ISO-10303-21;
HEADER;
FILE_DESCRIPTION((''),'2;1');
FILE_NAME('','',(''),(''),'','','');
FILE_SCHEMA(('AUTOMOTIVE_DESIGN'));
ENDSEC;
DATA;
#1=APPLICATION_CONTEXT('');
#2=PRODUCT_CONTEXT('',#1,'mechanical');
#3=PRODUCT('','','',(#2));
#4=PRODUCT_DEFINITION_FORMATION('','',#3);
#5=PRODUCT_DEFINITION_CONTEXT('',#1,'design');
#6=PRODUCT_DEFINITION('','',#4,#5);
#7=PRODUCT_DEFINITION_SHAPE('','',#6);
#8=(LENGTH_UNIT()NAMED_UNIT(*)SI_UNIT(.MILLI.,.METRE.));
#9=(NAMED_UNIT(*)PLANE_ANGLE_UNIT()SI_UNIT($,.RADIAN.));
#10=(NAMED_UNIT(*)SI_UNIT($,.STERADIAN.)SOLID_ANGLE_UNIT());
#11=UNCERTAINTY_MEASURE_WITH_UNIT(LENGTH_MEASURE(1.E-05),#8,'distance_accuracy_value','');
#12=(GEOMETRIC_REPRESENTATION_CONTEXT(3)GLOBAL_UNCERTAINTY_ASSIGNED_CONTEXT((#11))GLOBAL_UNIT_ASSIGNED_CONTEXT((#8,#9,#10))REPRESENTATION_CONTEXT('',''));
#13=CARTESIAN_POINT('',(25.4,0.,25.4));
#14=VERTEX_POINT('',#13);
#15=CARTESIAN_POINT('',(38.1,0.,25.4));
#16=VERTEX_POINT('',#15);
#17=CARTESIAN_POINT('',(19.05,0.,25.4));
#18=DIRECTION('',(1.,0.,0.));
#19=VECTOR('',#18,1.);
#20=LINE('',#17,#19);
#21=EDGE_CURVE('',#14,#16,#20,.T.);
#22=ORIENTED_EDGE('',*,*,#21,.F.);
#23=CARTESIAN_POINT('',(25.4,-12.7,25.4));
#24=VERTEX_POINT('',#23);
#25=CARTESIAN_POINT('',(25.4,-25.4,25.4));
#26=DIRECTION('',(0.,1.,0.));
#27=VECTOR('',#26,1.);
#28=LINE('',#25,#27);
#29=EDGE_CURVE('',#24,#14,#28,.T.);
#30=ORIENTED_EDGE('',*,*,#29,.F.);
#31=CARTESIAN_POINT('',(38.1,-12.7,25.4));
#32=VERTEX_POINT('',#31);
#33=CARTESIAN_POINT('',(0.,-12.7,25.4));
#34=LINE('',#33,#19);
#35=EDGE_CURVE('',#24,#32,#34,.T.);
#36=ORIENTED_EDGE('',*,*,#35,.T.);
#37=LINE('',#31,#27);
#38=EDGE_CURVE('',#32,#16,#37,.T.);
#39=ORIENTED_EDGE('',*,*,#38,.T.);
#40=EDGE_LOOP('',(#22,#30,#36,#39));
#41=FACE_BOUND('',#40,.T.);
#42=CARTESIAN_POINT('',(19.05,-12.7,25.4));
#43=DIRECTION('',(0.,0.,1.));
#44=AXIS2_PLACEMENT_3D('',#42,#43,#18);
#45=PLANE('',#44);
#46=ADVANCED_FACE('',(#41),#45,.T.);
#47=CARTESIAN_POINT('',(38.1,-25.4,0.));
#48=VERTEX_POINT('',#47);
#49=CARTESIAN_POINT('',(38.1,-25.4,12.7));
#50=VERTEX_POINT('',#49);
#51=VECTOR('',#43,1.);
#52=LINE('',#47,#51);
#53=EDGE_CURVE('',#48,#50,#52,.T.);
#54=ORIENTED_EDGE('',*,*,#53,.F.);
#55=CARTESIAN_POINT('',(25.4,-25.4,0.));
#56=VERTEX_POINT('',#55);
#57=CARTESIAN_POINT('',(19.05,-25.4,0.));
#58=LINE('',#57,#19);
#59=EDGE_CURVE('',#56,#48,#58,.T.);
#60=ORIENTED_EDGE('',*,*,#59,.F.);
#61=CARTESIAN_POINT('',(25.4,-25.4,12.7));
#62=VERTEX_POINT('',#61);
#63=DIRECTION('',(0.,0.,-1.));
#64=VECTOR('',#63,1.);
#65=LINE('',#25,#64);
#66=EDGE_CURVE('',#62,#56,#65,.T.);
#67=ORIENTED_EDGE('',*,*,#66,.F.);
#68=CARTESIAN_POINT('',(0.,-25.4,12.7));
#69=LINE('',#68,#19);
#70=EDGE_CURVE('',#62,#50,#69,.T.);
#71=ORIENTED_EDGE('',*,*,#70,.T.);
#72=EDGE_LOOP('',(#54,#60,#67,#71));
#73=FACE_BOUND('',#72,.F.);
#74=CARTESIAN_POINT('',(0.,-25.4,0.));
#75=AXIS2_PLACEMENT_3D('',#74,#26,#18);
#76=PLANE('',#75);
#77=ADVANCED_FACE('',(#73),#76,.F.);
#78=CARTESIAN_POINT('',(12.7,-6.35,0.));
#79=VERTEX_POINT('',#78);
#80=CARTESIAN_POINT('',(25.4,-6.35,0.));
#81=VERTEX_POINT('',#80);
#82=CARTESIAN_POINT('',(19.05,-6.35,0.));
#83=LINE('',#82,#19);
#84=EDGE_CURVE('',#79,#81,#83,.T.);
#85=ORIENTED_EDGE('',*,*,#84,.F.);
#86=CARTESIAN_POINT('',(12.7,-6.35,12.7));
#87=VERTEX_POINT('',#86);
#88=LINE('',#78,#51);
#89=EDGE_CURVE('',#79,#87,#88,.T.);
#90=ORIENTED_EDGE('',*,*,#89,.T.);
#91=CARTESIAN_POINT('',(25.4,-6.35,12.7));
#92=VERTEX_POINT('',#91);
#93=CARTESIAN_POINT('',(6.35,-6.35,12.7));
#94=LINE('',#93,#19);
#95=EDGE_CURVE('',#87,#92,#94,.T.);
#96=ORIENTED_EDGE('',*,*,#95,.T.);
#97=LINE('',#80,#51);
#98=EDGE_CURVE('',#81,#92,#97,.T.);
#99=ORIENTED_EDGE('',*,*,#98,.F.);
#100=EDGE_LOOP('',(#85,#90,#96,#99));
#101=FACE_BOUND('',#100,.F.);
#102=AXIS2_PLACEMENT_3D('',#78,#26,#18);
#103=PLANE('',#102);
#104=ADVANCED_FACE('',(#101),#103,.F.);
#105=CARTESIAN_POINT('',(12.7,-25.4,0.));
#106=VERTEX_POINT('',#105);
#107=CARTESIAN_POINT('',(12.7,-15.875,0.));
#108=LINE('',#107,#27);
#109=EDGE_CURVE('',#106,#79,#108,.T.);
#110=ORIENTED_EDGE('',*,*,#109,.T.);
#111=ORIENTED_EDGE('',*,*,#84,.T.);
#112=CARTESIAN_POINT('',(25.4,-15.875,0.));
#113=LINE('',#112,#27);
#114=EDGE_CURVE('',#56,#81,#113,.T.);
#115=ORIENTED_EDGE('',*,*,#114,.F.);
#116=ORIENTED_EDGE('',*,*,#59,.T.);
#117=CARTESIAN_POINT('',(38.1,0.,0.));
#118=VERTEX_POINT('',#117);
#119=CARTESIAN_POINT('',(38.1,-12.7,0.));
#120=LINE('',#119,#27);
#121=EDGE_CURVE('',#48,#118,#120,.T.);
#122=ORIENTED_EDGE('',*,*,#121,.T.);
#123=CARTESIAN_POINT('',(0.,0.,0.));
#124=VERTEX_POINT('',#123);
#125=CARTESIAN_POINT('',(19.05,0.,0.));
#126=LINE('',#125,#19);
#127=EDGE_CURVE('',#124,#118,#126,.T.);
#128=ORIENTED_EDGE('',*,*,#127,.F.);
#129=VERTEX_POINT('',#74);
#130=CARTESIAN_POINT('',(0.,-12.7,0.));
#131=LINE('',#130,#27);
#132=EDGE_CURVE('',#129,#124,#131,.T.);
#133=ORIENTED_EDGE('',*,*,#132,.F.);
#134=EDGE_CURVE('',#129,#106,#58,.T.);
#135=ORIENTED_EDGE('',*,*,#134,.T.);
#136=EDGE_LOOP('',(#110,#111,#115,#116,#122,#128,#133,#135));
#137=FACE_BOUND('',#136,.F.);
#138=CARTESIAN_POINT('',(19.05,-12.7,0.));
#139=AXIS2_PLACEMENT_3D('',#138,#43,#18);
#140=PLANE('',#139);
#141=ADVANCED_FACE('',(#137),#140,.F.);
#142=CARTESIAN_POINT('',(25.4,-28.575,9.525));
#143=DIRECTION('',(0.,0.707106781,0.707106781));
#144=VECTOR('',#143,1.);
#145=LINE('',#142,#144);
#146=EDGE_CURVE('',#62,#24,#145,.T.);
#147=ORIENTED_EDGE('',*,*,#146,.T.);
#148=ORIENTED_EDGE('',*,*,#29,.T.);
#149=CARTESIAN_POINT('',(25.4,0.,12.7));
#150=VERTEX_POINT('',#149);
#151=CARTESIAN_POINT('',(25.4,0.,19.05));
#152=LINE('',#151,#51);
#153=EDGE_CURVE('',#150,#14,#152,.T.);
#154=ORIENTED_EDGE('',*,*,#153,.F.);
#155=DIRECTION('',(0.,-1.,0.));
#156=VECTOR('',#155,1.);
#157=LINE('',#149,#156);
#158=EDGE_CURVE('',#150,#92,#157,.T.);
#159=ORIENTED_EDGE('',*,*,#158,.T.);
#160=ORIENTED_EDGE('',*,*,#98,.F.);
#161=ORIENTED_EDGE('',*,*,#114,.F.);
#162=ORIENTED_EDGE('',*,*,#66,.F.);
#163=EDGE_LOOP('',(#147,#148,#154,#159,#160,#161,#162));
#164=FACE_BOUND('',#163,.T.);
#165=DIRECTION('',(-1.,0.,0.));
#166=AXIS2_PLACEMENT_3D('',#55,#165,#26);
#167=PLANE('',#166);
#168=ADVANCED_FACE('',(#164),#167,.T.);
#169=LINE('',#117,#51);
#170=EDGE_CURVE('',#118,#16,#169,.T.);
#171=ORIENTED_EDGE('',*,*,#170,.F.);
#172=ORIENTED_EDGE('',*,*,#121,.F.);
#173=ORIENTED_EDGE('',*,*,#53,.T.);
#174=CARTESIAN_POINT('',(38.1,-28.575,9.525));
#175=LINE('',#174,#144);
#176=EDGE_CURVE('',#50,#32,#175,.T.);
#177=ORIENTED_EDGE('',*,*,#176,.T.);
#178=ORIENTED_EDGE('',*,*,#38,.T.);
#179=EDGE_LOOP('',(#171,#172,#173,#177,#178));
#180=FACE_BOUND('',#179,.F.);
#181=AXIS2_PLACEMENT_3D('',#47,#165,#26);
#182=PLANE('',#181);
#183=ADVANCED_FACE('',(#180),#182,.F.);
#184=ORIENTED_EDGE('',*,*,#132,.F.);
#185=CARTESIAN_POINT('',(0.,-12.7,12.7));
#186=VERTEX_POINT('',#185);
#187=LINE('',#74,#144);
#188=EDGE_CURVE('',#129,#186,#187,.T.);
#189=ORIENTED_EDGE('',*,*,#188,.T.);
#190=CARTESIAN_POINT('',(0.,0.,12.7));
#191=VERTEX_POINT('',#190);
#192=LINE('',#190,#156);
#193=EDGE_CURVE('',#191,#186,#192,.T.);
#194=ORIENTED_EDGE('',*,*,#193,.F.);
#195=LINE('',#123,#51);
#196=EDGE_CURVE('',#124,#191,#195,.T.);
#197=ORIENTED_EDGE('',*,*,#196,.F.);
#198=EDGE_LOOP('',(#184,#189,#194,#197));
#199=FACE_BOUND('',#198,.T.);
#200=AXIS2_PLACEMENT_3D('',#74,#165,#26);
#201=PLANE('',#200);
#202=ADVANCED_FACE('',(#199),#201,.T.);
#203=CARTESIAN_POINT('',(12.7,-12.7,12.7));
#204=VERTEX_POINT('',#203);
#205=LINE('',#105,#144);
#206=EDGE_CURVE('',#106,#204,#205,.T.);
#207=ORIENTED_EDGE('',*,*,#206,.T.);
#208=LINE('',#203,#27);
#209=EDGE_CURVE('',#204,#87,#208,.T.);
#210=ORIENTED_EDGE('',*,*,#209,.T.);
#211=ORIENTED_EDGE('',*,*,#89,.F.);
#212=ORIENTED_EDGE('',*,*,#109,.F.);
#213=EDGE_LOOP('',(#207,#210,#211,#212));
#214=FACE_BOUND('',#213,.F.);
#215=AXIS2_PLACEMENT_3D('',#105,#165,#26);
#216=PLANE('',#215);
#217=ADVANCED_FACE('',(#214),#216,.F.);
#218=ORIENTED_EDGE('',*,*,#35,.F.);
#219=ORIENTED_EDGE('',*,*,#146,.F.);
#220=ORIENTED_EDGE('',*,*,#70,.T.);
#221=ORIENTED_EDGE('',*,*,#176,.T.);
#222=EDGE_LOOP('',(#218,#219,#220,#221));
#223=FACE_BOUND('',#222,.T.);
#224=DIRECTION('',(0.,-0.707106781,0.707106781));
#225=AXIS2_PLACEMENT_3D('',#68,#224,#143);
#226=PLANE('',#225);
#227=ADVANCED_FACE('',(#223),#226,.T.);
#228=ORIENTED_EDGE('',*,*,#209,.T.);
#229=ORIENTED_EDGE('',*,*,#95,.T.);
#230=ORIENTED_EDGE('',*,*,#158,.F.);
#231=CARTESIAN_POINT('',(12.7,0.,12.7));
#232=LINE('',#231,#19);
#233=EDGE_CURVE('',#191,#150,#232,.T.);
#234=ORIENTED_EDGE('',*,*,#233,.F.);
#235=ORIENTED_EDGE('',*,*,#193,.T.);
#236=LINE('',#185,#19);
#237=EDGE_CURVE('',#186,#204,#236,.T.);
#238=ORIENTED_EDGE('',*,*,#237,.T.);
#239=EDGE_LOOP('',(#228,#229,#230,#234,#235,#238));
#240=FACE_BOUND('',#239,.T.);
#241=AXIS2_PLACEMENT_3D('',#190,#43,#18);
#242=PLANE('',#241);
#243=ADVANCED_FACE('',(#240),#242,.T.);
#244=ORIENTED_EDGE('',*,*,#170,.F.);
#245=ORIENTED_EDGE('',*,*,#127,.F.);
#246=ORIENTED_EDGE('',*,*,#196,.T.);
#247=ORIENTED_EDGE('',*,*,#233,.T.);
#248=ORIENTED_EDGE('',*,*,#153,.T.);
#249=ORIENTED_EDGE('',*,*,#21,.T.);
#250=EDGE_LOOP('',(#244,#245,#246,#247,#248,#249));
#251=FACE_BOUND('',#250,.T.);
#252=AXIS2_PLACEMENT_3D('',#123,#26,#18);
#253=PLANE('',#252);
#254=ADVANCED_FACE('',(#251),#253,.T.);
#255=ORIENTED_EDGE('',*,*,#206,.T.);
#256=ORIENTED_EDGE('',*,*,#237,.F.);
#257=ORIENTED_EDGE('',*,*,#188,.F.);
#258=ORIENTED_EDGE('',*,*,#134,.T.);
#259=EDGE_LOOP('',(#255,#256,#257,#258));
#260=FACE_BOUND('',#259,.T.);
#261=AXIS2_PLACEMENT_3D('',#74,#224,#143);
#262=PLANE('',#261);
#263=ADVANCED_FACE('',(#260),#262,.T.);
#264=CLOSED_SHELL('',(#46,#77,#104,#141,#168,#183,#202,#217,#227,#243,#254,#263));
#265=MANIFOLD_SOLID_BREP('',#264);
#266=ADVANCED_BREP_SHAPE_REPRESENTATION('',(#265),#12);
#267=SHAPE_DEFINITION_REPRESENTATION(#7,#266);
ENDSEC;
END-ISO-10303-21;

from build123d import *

# Parameters (mm, degrees)
F0_W     = 38.1
F0_H     = 25.4
F1_DEPTH = 25.4
F2_W     = 12.7
F2_H     = 19.05
F3_DEPTH = 25.401
F4_W     = 25.4
F4_H     = 12.7
F5_DEPTH = 25.401
F7_DEPTH = 12.7
F9_DEPTH = 38.101


with BuildPart() as f1:
    # F0 (on Top) → F1 (new body)
    with BuildSketch(Plane.XY):
        with Locations((19.05, -12.7)):
            Rectangle(F0_W, F0_H)
    extrude(amount=F1_DEPTH)

    # F2 (on Top) → F3 (cut, through all)
    with BuildSketch(Plane.XY):
        with Locations((19.05, -15.875)):
            Rectangle(F2_W, F2_H)
    extrude(amount=F3_DEPTH, mode=Mode.SUBTRACT)

    # F4 (on Front) → F5 (cut, through all)
    with BuildSketch(Plane.XZ):
        with Locations((12.7, 19.05)):
            Rectangle(F4_W, F4_H)
    extrude(amount=F5_DEPTH, mode=Mode.SUBTRACT)

    # F6 (on Right) → F7 (cut)
    with BuildSketch(Plane.YZ):
        Polygon((-25.4, 0), (-12.7, 12.7), (-25.4, 12.7), align=None)
    extrude(amount=F7_DEPTH, mode=Mode.SUBTRACT)

    # F8 (on Right) → F9 (cut, through all)
    with BuildSketch(Plane.YZ):
        Polygon((-25.4, 12.7), (-12.7, 25.4), (-25.4, 25.4), align=None)
    extrude(amount=F9_DEPTH, mode=Mode.SUBTRACT)


solid = f1.part
